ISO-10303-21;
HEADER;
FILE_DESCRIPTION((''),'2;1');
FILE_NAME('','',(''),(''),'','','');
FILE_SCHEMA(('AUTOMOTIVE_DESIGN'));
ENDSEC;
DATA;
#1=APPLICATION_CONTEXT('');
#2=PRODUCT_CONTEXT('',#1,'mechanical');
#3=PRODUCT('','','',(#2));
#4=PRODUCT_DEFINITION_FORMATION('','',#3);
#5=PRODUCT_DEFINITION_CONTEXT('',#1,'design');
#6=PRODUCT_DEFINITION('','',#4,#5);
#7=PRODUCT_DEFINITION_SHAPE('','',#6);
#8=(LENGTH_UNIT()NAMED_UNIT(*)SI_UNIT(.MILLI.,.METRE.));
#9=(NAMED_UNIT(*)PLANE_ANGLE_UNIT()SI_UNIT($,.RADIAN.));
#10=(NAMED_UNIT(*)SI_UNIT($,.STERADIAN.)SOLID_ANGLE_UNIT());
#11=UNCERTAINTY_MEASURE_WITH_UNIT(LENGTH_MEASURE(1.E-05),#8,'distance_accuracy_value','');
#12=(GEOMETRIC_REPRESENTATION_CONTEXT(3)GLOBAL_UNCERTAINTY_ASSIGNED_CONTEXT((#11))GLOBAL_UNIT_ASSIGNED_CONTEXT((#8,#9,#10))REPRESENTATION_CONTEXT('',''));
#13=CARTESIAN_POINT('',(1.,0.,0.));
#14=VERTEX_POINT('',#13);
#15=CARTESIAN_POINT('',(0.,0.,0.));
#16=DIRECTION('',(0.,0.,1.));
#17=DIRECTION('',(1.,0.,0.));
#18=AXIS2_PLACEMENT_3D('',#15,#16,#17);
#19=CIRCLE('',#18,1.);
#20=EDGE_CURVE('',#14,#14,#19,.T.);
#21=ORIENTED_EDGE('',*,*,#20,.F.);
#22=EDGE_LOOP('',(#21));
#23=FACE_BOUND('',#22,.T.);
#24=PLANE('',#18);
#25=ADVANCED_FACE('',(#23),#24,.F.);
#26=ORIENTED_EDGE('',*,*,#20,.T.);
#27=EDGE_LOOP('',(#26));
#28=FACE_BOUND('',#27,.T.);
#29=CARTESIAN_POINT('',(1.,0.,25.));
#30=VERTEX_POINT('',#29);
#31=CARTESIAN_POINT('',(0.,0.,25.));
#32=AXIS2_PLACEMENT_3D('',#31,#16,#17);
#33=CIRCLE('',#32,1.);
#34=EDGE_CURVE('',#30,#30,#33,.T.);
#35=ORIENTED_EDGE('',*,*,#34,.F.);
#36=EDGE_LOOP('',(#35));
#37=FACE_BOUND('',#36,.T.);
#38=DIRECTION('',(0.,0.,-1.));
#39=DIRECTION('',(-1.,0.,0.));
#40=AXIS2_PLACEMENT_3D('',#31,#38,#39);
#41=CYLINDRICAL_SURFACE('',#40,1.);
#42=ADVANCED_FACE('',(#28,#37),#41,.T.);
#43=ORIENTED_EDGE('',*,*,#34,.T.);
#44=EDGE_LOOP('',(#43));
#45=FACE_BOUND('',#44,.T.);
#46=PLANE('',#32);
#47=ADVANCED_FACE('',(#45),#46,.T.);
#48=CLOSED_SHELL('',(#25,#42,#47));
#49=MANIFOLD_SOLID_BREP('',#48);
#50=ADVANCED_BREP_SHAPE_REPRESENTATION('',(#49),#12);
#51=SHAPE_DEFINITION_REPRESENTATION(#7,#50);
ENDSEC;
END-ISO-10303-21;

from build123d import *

# Parameters (mm, degrees)
SKETCH1_R           = 1
BOSS_EXTRUDE1_DEPTH = 25


with BuildPart() as part:
    # Sketch1 → Boss-Extrude1 (new body)
    with BuildSketch(Plane.XY):
        Circle(SKETCH1_R)
    extrude(amount=BOSS_EXTRUDE1_DEPTH)


solid = part.part
